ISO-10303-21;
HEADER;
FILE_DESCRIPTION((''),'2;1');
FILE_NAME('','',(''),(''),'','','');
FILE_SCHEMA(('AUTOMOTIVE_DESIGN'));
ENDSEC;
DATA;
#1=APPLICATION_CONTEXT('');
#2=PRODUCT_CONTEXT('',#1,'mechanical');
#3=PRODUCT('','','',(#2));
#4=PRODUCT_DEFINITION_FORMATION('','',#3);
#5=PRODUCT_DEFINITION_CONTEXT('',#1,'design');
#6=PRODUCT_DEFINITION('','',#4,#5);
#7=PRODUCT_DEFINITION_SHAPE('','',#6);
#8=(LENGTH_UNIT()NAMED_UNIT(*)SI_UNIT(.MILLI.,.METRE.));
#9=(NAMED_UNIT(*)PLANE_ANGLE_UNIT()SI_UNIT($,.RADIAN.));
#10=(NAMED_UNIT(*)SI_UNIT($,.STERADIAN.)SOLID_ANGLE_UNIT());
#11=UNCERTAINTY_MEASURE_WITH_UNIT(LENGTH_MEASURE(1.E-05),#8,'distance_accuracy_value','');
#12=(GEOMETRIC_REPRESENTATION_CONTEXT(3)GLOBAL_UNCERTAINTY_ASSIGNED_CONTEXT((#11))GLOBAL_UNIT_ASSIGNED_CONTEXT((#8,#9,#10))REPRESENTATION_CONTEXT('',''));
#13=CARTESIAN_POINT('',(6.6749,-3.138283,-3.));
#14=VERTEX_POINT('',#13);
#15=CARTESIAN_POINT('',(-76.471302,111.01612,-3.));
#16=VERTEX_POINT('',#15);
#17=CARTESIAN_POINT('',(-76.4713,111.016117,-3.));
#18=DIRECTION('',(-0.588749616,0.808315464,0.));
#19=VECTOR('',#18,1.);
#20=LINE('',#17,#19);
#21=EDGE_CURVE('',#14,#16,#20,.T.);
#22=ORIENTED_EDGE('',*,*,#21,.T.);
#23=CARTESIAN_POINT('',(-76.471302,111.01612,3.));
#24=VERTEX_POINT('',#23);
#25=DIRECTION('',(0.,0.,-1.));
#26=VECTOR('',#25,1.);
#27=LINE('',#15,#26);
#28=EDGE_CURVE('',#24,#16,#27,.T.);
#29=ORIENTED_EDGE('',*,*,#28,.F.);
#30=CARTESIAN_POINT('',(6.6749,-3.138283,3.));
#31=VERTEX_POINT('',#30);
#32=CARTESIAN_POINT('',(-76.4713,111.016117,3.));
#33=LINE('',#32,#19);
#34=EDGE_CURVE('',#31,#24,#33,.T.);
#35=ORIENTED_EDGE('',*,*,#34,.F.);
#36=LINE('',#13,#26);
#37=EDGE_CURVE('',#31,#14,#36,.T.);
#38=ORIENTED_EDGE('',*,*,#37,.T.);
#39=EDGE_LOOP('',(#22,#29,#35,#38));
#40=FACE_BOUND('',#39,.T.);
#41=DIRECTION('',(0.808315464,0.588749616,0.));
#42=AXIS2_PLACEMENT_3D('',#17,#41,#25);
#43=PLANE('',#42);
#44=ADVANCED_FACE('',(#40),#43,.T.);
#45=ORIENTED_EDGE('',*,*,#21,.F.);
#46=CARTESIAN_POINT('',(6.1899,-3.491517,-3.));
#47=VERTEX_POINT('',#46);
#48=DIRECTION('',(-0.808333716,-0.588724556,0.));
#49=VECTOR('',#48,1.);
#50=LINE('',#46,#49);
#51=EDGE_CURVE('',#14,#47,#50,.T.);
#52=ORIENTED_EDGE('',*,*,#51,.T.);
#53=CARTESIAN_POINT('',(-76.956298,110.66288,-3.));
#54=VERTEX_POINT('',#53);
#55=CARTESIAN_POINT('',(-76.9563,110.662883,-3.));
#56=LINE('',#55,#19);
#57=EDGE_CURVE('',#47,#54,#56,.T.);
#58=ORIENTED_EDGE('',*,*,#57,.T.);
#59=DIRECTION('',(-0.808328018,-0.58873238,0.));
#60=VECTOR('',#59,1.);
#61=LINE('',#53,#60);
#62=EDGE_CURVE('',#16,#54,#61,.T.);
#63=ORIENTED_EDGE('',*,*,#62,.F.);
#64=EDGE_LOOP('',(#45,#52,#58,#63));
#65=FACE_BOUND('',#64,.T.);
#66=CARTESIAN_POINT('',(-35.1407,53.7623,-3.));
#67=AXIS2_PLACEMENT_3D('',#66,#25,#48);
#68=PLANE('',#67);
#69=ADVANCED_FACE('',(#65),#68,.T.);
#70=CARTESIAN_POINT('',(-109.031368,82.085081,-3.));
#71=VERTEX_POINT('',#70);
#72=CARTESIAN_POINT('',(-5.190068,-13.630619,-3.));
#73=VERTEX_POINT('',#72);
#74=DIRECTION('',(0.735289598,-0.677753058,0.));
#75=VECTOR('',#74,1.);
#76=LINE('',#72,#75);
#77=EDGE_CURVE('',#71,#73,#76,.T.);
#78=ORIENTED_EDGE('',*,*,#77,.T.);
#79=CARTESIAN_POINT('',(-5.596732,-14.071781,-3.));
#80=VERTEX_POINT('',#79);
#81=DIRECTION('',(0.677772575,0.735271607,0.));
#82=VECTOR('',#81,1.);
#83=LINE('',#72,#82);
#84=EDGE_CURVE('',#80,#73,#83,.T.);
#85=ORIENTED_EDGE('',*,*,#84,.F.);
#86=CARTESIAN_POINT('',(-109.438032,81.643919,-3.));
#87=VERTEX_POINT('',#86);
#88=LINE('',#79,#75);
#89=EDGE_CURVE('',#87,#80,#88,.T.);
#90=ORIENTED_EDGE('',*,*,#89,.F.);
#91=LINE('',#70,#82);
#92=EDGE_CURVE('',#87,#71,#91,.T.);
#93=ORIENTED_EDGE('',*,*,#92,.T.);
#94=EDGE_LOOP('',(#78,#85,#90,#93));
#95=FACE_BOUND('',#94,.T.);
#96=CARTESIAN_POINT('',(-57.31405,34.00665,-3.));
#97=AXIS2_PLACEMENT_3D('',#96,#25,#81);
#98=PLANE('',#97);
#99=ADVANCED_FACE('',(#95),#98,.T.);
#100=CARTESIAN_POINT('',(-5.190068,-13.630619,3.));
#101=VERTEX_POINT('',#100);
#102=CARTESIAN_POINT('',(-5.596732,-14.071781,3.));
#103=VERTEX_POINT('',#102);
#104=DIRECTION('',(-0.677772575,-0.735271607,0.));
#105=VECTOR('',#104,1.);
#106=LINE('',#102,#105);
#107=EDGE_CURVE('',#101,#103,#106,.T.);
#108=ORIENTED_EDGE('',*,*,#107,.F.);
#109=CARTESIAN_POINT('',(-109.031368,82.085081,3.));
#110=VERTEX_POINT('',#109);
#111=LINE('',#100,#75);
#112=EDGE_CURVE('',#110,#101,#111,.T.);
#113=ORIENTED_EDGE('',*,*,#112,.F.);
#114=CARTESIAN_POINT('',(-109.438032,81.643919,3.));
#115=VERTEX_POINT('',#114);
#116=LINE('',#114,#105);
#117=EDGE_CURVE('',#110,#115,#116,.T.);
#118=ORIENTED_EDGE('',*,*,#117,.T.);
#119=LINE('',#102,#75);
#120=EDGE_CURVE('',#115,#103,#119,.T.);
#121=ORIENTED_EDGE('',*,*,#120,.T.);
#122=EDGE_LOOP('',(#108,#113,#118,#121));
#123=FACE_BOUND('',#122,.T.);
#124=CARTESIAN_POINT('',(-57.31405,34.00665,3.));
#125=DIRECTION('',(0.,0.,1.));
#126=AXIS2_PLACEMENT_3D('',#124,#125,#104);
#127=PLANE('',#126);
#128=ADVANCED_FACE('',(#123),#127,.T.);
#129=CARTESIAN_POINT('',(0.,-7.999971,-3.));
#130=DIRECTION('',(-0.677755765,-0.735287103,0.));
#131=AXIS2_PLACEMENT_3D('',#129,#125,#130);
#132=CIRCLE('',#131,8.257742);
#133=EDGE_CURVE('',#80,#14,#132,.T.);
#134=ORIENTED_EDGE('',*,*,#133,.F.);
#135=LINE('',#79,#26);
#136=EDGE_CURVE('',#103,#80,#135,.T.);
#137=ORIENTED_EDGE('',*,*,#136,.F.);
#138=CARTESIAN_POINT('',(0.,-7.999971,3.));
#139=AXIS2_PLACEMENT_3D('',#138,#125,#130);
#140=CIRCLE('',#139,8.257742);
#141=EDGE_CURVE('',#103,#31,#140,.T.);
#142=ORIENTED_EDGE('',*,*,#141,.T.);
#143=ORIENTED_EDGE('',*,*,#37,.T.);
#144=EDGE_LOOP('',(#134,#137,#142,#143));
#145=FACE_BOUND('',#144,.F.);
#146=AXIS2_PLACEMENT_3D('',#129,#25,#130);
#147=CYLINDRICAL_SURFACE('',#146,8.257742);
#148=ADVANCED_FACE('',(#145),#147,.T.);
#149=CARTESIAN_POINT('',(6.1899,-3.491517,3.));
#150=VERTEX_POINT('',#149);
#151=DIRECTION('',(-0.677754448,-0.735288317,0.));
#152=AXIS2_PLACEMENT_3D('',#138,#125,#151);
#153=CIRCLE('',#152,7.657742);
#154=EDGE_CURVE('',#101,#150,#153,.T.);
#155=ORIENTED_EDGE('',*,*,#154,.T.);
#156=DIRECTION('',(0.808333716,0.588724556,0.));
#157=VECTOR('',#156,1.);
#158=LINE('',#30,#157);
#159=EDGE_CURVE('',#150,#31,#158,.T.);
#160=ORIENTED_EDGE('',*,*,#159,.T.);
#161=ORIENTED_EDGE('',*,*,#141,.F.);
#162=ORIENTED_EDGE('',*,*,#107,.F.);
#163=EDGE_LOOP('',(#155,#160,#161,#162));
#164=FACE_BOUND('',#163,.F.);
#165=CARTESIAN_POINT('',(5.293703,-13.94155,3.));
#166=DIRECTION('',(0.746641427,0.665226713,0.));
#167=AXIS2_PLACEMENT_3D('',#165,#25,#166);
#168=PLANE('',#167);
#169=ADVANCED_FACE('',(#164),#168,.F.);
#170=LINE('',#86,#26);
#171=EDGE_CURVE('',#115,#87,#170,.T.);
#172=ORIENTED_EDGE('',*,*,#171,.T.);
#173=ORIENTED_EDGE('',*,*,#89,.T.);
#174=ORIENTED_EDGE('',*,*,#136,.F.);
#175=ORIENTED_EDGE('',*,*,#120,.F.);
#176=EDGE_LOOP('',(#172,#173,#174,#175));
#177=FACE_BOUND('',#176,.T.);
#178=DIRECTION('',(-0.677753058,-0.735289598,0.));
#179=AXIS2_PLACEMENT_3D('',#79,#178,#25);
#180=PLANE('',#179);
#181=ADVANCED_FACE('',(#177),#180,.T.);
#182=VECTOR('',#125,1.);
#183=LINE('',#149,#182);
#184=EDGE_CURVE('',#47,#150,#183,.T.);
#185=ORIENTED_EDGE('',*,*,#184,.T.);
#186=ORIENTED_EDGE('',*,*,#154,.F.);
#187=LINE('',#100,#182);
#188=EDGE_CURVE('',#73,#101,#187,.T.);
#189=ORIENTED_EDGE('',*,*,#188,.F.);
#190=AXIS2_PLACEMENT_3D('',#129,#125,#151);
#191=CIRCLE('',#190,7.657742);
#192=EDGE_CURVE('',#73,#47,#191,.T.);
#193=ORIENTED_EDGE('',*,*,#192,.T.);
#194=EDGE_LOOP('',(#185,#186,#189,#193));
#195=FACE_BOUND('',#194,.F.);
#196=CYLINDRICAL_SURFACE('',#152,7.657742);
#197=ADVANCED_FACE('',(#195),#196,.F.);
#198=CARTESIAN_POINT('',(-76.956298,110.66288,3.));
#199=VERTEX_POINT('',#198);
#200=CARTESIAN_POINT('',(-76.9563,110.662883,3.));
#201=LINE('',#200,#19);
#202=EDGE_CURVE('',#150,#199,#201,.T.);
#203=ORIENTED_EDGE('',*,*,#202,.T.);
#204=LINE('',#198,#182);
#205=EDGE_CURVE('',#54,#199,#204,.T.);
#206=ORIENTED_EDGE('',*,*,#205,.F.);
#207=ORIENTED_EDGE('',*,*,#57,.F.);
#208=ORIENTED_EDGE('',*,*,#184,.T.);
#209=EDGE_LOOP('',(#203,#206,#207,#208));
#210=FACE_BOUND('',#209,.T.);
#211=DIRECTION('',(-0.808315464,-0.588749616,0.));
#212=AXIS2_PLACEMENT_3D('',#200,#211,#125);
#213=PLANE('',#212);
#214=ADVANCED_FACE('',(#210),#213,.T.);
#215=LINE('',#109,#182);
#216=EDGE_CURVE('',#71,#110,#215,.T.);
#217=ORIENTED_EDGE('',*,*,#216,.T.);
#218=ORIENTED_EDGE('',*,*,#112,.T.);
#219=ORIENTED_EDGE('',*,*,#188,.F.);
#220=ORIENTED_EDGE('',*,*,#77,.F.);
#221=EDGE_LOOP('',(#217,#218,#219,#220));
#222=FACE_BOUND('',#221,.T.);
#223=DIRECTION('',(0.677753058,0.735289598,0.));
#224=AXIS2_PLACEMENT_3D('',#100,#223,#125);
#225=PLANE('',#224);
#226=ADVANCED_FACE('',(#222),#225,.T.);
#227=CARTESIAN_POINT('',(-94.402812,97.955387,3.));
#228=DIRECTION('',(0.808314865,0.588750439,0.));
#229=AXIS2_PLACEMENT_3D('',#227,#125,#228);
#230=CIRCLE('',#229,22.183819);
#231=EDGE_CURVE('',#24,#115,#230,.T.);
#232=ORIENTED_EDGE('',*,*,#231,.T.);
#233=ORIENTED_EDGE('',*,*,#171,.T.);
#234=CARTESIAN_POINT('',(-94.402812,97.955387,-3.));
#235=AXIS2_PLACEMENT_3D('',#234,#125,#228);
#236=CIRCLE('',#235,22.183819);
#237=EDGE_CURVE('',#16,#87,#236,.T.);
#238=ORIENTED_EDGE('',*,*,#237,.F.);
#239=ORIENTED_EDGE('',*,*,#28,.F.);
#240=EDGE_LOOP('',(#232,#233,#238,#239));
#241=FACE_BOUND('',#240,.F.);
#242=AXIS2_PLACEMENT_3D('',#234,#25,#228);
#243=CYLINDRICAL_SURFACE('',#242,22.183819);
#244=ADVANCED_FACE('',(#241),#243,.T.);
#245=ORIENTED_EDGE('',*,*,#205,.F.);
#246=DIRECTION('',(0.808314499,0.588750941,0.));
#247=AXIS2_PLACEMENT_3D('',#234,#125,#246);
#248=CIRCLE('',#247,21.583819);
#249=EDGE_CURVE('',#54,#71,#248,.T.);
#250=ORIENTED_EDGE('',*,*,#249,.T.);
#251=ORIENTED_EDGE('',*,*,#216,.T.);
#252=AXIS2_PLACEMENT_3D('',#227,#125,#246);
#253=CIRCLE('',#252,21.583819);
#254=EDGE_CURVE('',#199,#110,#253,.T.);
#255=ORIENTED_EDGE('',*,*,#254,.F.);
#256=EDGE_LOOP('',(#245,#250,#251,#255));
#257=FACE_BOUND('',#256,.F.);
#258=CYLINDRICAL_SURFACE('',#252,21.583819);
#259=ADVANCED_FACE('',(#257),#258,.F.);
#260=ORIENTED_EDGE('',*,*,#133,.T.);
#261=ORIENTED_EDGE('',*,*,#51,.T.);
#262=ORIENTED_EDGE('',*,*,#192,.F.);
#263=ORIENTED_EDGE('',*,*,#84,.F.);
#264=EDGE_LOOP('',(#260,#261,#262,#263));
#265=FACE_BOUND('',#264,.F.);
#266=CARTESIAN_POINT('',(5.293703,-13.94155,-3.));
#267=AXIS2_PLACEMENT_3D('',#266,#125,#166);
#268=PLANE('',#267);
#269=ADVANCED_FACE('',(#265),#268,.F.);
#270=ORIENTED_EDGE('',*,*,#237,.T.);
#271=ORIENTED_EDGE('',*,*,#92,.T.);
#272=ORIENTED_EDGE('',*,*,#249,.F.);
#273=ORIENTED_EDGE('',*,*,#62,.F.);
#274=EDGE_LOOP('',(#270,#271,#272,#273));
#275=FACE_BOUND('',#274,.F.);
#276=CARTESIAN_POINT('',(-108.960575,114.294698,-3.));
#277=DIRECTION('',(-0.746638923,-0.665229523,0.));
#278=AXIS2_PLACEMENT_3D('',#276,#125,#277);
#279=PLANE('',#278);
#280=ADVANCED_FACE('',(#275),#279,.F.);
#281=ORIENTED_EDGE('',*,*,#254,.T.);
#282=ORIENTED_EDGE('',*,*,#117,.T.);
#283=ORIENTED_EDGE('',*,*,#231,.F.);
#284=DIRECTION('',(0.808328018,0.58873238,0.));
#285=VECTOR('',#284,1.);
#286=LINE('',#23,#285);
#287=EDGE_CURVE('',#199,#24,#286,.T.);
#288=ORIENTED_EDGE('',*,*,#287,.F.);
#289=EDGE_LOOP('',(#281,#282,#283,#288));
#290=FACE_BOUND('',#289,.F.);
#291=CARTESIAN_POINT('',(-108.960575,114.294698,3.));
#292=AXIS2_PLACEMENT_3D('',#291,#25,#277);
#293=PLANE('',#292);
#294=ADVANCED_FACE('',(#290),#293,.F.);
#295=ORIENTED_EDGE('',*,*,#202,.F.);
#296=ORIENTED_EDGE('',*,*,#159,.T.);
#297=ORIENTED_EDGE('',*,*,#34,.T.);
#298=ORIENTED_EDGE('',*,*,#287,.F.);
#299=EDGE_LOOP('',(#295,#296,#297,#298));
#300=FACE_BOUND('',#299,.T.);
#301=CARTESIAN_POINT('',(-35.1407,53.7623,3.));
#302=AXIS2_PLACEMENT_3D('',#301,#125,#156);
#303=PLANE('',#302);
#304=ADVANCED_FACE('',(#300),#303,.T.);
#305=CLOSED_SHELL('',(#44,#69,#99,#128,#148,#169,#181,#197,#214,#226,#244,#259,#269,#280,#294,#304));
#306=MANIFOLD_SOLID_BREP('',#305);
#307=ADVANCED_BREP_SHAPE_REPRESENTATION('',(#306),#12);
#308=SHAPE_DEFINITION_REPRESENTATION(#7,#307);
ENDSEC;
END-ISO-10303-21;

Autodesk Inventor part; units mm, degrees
sketch "Sketch Path" plane through (0, 0, 0) normal (0, 0, 1) x (1, 0, 0)
  arc A0 (-5.3934, -13.8512) -> (6.4324, -3.3149) centre (0, -8) ccw
  arc A1 (-76.7138, 110.8395) -> (-109.2347, 81.8645) centre (-94.4028, 97.9555) ccw
  line L0 (-76.7138, 110.8395) -> (6.4324, -3.3149)
  line L1 (-5.3934, -13.8512) -> (-109.2347, 81.8645)
ref_plane "Cross Section Plane" through (6.4324, -3.3149, 0) normal (-0.5887, 0.8083, 0) x (0, 0, 1)
ref_plane "Work Plane2" through (0, -8, 0) normal (-1, 0, 0) x (0, 0, 1)
ref_plane "Work Plane3" through (-94.4028, 97.9555, 0) normal (0.7244, -0.6894, 0) x (0, 0, 1)
sketch "Cross Section" plane through (6.4324, -3.3149, 0) normal (-0.5887, 0.8083, 0) x (0, 0, 1)
  line L0 (-3, 0.3) -> (3, 0.3)
  line L1 (3, 0.3) -> (3, -0.3)
  line L2 (3, -0.3) -> (-3, -0.3)
  line L3 (-3, -0.3) -> (-3, 0.3)
  line L4 (-3, 0) -> (3, 0) construction
  point P0 (0, 0)
  point P1 (0, 0)
  dimension "d0" = 6
  dimension "d4" = 0.3
  dimension "d5" = 0.3
sweep "Belt" add profiles "Cross Section" path "Sketch Path"
equation "\"d0\" = da_B"
equation "\"d4\" = da_a"
equation "\"d5\" = da_a2"
equation "\"da_B\" = 6"
equation "\"da_pb\" = 2.5"
equation "\"da_L\" = 378.93777"
equation "\"da_a\" = 0.3"
equation "\"da_S\" = 1.5"
equation "\"da_Beta\" = 20deg"
equation "\"da_Ht\" = 0.7"
equation "\"da_H\" = 1.3"
equation "\"da_a2\" = 0.3"
properties part number "Synchronous Belt" material "Rubber"
